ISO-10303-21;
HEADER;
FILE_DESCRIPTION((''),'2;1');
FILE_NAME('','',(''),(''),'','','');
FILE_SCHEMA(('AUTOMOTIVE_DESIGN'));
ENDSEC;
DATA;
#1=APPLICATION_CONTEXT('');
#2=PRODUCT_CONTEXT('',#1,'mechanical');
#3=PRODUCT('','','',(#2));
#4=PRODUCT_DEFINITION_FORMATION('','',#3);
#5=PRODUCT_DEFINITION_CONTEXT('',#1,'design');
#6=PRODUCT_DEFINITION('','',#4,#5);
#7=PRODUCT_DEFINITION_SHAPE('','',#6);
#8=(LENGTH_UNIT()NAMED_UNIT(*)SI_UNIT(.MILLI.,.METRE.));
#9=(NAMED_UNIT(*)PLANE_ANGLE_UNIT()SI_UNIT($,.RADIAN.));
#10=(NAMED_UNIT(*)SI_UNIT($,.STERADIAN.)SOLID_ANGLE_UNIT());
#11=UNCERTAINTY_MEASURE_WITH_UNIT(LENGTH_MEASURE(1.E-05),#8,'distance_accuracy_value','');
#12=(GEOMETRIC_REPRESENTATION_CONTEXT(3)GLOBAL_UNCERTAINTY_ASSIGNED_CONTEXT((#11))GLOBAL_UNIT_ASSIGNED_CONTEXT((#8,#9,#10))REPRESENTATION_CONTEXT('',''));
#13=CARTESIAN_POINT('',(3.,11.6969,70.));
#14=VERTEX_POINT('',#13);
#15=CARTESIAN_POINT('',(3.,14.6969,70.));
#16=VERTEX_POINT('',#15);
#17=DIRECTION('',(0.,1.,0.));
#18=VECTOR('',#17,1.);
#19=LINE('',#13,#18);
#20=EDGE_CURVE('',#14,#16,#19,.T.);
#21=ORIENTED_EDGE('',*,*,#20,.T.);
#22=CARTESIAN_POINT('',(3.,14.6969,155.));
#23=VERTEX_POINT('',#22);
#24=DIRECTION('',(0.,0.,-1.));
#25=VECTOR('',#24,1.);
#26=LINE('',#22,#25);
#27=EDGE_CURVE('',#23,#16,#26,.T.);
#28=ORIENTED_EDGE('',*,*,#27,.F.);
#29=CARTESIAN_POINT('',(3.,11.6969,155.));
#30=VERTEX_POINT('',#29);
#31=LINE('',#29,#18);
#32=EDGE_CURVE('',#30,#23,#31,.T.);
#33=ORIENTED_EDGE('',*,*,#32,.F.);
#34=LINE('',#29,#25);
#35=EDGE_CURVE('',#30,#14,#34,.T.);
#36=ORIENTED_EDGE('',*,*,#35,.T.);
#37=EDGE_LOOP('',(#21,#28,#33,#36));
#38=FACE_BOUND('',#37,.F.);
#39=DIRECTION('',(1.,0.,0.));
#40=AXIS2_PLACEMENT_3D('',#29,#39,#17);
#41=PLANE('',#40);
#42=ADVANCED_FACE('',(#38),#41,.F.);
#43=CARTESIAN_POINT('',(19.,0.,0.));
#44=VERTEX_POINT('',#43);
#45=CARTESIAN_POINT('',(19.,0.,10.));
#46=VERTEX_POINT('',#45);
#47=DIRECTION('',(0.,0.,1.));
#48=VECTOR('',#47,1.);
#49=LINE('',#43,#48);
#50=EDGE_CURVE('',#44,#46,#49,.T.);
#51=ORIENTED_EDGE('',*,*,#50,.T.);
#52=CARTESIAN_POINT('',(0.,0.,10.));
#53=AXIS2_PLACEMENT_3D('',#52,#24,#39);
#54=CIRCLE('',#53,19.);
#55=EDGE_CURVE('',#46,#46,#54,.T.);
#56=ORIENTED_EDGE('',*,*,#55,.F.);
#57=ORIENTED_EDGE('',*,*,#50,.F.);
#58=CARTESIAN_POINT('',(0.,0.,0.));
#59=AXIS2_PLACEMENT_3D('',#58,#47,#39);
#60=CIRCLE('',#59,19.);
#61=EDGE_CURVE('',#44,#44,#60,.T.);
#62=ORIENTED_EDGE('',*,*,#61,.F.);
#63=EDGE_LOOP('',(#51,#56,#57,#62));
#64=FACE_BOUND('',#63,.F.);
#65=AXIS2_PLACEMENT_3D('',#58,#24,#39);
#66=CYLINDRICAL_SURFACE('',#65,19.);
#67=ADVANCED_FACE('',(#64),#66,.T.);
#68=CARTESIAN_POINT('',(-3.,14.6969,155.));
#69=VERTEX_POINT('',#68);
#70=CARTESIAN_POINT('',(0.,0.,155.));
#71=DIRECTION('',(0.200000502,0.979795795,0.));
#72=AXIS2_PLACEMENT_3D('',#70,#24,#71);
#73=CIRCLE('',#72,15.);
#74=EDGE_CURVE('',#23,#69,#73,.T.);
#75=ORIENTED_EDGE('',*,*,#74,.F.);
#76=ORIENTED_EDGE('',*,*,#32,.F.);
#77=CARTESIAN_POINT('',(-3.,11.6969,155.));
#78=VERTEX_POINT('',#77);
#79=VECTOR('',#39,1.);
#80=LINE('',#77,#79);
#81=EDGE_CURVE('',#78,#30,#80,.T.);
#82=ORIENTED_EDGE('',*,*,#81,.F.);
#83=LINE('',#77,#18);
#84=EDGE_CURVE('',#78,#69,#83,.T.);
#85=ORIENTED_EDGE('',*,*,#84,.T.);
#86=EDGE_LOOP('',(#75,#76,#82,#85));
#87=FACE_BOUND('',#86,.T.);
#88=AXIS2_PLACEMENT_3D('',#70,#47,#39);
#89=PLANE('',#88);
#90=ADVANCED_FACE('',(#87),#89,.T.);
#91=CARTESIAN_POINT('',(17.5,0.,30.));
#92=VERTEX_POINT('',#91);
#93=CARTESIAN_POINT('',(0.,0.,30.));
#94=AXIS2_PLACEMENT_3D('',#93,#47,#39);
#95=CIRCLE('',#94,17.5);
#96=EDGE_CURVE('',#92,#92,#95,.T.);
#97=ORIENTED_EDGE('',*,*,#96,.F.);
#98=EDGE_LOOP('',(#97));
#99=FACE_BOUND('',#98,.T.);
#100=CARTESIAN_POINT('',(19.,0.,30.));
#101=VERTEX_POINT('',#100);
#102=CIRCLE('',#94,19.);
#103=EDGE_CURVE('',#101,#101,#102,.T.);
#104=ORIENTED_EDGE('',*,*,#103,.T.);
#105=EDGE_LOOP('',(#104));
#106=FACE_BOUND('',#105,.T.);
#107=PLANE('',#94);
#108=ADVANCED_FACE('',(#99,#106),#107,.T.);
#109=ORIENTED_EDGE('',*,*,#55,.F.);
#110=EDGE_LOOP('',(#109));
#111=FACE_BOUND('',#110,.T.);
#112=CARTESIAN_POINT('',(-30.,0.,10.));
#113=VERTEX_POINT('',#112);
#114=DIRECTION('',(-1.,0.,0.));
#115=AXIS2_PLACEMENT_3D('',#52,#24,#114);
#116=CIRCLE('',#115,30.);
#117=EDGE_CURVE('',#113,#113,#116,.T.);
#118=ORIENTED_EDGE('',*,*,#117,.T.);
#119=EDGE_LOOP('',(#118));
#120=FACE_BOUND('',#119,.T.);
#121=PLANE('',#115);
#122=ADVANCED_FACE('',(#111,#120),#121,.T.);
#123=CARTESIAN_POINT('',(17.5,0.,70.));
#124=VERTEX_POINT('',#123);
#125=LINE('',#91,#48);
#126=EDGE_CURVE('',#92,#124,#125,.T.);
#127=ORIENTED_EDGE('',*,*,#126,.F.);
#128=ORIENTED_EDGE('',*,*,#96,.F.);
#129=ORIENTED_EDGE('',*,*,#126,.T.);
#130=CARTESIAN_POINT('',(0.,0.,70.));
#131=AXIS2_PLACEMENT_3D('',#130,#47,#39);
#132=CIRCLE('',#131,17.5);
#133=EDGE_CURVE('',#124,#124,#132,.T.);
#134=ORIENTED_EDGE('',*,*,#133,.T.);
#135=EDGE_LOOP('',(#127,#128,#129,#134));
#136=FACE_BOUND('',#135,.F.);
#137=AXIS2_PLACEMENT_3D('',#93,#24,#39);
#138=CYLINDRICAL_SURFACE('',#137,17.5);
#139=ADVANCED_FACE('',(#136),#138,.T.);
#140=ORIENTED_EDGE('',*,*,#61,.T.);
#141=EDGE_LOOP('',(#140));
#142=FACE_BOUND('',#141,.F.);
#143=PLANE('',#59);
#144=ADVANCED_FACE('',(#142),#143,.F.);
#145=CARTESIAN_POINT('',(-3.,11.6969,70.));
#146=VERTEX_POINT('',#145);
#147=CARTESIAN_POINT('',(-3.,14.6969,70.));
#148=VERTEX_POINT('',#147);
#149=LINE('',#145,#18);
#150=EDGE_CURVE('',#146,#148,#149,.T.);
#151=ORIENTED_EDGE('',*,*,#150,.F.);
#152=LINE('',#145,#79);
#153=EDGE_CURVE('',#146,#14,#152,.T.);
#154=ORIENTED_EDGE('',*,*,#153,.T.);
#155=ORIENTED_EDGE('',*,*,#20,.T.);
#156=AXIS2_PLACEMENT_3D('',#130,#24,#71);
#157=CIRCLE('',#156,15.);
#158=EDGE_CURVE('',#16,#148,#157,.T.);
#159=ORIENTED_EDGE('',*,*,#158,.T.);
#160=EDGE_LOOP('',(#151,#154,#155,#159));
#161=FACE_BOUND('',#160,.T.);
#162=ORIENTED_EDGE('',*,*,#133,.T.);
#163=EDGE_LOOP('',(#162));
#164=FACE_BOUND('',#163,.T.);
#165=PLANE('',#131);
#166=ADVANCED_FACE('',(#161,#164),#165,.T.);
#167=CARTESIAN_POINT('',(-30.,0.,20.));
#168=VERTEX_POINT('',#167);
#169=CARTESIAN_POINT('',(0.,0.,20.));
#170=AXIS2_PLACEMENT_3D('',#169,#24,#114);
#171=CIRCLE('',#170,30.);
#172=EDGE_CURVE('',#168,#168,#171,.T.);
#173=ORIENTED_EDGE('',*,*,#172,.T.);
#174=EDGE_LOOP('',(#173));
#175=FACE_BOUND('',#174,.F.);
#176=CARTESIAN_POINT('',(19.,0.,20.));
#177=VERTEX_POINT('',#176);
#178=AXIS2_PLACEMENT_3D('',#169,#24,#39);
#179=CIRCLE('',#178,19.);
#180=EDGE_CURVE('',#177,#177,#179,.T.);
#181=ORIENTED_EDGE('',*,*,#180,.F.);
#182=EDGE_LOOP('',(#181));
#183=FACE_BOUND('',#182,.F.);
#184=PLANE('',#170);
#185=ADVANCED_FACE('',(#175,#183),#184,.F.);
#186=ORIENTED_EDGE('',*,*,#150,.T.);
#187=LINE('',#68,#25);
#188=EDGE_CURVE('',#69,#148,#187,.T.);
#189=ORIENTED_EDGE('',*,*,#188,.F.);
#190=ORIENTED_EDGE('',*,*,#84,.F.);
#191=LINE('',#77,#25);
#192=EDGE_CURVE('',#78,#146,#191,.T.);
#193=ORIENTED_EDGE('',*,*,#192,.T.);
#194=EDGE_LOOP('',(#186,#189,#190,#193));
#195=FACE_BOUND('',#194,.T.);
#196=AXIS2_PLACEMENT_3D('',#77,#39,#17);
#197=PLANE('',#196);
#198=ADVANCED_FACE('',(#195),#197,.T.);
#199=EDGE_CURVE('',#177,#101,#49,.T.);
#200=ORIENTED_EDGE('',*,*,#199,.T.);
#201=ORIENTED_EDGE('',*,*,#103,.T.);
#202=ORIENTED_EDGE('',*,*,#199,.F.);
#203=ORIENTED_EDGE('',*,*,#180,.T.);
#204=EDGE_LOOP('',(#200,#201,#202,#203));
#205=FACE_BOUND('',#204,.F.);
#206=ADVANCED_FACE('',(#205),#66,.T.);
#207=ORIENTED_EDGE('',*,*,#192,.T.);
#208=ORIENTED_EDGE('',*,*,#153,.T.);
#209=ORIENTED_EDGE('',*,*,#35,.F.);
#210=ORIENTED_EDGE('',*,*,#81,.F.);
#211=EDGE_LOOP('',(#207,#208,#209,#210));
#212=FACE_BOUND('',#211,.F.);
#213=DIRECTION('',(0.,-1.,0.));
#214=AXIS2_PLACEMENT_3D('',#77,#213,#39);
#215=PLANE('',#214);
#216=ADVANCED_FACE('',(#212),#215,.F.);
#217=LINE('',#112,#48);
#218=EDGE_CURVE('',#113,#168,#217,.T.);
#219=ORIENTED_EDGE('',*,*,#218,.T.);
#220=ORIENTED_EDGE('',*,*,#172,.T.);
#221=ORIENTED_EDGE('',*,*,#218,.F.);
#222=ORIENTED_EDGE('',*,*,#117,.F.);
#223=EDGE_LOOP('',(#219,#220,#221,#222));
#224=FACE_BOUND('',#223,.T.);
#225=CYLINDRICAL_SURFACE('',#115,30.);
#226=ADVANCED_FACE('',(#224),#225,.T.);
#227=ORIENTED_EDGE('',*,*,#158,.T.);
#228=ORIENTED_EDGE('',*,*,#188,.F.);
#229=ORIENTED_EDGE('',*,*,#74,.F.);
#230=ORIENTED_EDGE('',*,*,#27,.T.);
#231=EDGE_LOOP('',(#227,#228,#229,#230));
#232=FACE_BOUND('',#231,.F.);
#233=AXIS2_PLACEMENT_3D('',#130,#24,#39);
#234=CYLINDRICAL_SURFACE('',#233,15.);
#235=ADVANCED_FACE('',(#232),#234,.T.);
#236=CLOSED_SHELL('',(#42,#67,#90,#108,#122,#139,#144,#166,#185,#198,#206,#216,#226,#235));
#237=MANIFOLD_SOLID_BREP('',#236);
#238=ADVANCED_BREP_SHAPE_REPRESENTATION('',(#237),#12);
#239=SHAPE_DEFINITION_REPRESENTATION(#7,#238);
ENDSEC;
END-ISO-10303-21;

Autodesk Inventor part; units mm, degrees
ref_plane "YZ Plane" through (0, 0, 0) normal (1, 0, 0) x (0, 1, 0)
ref_plane "XZ Plane" through (0, 0, 0) normal (0, 1, 0) x (-1, 0, 0)
ref_plane "XY Plane" through (0, 0, 0) normal (0, 0, 1) x (1, 0, 0)
sketch "Sketch1" plane through (0, 0, 0) normal (0, 0, 1) x (1, 0, 0)
  circle A0 centre (0, 0) radius 19
  dimension "d0" = 38
extrude "Extrusion1" add sketch "Sketch1" along normal blind 30
ref_plane "Work Plane1" through (0, 0, 10) normal (0, 0, -1) x (-1, 0, 0)
sketch "Sketch2" plane through (0, 0, 10) normal (0, 0, -1) x (-1, 0, 0)
  circle A0 centre (0, 0) radius 30
  dimension "d4" = 60
extrude "Extrusion2" add sketch "Sketch2" against normal blind 10
sketch "Sketch3" plane through (0, 0, 30) normal (0, 0, 1) x (1, 0, 0)
  circle A0 centre (0, 0) radius 17.5
  dimension "d7" = 35
extrude "Extrusion3" add sketch "Sketch3" along normal blind 40
sketch "Sketch4" plane through (0, 0, 70) normal (0, 0, 1) x (1, 0, 0)
  circle A0 centre (0, 0) radius 15
  dimension "d10" = 30
extrude "Extrusion4" add sketch "Sketch4" along normal blind 85
sketch "Sketch5" plane through (0, 0, 155) normal (0, 0, 1) x (1, 0, 0)
  line L0 (-3, 11.6969) -> (-3, 14.6969)
  circle A0 centre (0, 0) radius 15 projected
  line L1 (3, 11.6969) -> (3, 14.6969)
  arc A1 (3, 14.6969) -> (-3, 14.6969) centre (0, 0) ccw
  line L2 (-3, 14.6969) -> (-3, 11.6969)
  line L3 (-3, 11.6969) -> (3, 11.6969)
  line L4 (3, 11.6969) -> (3, 14.6969)
  dimension "d15" = 3
  dimension "d16" = 6
extrude "Extrusion5" cut sketch "Sketch5" against normal blind 85 contours L0 A0 L1 L3 picked at (0.3353, 12.7867)
properties part number "project handle part"
